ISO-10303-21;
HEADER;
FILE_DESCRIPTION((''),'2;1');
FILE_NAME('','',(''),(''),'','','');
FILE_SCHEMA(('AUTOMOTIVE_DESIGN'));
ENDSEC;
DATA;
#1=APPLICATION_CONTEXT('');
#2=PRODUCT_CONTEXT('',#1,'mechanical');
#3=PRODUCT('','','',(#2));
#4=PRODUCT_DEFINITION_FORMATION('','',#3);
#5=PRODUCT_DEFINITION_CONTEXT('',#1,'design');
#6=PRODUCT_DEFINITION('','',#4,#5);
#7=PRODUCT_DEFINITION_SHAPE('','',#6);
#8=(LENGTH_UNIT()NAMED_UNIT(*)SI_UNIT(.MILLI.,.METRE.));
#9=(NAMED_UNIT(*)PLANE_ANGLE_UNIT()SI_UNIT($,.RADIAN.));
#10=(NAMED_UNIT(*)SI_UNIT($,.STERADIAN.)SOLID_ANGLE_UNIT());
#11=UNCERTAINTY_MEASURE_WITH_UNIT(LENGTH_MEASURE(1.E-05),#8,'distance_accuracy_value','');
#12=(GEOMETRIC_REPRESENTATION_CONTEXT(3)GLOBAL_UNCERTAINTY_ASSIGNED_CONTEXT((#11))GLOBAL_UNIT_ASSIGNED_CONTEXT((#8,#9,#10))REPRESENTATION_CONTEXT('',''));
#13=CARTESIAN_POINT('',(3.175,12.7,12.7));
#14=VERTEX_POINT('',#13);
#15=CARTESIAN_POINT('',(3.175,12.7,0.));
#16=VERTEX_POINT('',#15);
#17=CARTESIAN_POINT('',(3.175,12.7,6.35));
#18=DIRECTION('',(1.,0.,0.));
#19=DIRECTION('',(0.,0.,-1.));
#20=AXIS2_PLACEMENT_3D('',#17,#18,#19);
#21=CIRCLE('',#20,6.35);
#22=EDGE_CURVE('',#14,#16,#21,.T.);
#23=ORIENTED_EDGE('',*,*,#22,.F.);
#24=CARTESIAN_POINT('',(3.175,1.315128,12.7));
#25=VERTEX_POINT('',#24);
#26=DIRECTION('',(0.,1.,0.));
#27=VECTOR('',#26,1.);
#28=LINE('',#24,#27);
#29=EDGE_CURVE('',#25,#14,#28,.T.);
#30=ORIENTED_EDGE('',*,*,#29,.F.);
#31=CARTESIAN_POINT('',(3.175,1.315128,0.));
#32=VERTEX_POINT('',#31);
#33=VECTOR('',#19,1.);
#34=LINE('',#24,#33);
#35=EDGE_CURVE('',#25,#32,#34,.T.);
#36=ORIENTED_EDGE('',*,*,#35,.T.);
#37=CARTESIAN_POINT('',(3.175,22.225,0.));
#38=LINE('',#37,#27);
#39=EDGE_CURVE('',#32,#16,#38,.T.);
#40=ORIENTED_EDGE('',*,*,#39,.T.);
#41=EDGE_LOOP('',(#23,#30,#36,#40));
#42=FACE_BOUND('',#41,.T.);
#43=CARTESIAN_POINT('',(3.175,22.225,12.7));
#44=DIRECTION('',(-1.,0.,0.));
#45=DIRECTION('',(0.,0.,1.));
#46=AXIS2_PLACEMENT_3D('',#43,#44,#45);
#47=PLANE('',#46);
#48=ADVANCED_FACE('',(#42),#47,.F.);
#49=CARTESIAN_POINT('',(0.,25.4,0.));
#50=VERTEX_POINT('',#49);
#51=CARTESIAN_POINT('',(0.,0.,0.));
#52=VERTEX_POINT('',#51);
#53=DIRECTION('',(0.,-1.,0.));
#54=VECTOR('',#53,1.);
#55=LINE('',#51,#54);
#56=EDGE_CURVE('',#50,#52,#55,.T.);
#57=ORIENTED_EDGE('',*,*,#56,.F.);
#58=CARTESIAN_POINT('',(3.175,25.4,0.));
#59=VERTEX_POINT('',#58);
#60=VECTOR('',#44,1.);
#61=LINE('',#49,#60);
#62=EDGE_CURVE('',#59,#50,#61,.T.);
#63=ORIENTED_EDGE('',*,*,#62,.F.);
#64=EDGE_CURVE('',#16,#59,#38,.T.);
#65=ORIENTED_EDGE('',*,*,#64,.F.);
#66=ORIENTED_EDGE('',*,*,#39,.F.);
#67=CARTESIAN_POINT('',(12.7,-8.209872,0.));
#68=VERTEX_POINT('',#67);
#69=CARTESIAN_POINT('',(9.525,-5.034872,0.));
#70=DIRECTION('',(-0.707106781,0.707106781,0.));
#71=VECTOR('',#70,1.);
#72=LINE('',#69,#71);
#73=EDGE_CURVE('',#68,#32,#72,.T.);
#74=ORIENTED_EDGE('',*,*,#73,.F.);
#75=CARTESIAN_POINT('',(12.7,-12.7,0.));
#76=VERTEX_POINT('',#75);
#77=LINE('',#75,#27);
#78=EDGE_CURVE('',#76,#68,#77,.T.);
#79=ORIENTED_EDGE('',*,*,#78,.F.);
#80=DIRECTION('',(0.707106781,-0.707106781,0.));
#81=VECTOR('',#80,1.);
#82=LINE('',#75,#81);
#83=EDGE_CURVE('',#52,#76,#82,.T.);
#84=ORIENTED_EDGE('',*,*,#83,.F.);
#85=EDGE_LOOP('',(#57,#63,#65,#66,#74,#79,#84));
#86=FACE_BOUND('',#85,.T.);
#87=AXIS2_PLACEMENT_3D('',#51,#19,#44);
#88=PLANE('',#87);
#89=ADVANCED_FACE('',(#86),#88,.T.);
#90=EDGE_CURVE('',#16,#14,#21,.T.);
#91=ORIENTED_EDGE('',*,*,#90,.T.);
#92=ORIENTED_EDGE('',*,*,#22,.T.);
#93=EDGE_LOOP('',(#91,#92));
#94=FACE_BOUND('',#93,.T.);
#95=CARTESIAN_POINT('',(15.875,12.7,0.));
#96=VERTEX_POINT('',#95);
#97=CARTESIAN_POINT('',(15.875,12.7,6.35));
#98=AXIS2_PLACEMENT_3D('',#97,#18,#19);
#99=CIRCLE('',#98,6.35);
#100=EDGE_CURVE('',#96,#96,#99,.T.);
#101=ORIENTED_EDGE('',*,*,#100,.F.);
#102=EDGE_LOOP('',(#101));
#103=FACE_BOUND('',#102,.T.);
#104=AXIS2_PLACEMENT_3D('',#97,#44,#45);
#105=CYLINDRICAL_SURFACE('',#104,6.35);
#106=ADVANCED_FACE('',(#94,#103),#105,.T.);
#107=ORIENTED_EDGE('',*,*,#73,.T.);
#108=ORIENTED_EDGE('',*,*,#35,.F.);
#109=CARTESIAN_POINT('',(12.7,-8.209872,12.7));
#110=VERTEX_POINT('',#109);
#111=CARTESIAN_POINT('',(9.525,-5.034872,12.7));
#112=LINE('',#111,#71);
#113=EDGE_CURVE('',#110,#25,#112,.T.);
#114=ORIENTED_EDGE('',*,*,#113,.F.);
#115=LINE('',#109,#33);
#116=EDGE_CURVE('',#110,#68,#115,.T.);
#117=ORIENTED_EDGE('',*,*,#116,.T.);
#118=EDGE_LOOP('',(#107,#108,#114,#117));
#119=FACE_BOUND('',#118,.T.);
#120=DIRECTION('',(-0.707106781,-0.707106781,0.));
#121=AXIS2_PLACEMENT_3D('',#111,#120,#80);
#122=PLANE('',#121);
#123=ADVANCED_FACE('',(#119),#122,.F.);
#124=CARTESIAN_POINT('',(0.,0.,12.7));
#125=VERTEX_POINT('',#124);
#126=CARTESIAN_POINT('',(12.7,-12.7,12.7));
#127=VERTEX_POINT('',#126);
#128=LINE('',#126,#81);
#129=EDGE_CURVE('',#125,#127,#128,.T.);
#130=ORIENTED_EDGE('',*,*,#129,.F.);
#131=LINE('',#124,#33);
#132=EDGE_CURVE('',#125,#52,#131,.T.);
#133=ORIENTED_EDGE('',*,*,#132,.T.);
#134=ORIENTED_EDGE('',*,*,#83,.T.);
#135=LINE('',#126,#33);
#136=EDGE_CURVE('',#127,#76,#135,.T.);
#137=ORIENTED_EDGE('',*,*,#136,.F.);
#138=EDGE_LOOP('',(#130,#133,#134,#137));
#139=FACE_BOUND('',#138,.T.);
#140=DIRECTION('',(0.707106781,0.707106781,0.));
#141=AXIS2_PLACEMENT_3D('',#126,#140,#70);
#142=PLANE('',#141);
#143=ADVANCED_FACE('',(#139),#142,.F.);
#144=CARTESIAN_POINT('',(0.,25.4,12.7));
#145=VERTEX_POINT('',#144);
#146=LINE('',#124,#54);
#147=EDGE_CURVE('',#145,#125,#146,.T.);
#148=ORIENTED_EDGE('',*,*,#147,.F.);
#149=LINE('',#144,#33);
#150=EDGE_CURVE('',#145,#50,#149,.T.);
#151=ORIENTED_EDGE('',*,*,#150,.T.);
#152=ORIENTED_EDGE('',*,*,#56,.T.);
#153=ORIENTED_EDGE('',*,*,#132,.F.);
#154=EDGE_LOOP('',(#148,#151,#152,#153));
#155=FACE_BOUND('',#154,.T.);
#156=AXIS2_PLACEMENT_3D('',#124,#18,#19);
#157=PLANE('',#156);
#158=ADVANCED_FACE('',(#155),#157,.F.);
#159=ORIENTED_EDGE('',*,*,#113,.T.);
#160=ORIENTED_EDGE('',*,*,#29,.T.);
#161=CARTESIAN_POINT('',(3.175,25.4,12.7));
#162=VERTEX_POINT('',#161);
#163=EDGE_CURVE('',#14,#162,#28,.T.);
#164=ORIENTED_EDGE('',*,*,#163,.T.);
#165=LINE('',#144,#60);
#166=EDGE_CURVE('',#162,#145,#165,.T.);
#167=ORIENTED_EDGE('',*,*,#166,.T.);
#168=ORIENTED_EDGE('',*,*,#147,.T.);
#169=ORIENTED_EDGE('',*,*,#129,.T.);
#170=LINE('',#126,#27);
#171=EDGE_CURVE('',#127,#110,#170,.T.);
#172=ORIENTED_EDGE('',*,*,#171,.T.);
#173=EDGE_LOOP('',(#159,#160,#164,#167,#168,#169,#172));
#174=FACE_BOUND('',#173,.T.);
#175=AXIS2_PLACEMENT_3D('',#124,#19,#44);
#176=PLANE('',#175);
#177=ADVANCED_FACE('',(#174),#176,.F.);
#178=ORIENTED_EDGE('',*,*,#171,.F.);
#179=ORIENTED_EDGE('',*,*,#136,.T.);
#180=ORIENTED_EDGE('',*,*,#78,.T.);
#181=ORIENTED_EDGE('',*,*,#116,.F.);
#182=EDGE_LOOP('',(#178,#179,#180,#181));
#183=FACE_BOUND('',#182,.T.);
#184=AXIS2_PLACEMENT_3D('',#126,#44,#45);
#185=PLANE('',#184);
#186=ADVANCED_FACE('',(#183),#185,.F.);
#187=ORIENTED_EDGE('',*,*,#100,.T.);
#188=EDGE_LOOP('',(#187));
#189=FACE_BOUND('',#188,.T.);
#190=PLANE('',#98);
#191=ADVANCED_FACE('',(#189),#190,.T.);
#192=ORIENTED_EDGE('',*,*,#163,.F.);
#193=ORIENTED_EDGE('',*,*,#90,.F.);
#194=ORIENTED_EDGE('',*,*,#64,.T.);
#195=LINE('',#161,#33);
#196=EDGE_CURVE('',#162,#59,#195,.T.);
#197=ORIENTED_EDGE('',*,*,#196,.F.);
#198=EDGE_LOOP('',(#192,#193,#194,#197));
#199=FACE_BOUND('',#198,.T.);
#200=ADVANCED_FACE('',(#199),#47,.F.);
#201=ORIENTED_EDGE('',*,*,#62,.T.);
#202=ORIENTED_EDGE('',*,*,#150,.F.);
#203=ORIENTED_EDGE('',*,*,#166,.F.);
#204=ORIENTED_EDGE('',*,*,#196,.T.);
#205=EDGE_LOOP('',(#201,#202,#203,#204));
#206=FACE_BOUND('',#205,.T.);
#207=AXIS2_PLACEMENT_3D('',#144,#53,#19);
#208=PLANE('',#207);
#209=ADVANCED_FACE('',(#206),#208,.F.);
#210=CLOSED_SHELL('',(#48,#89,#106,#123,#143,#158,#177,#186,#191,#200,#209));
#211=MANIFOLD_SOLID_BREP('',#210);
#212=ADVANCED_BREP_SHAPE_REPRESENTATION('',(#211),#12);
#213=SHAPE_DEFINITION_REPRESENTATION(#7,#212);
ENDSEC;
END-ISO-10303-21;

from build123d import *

# Parameters (mm, degrees)
BOSS_EXTRUDE1_DEPTH = 12.7
SKETCH2_R           = 6.35
BOSS_EXTRUDE2_DEPTH = 12.7


with BuildPart() as part:
    # Sketch1 → Boss-Extrude1 (new body)
    with BuildSketch(Plane.XY):
        Polygon((0, 0), (0, 25.4), (3.175, 25.4), (3.175, 22.225), (3.175, 1.315128061), (9.525, -5.034871939), (12.7, -8.209871939), (12.7, -12.7), align=None)
    extrude(amount=BOSS_EXTRUDE1_DEPTH)

    # Sketch2 → Boss-Extrude2 (add)
    with BuildSketch(Plane(origin=(3.175, 0, 0), x_dir=(0, 0, -1), z_dir=(1, 0, 0))):
        with Locations((-6.35, 12.7)):
            Circle(SKETCH2_R)
    extrude(amount=BOSS_EXTRUDE2_DEPTH)


solid = part.part
